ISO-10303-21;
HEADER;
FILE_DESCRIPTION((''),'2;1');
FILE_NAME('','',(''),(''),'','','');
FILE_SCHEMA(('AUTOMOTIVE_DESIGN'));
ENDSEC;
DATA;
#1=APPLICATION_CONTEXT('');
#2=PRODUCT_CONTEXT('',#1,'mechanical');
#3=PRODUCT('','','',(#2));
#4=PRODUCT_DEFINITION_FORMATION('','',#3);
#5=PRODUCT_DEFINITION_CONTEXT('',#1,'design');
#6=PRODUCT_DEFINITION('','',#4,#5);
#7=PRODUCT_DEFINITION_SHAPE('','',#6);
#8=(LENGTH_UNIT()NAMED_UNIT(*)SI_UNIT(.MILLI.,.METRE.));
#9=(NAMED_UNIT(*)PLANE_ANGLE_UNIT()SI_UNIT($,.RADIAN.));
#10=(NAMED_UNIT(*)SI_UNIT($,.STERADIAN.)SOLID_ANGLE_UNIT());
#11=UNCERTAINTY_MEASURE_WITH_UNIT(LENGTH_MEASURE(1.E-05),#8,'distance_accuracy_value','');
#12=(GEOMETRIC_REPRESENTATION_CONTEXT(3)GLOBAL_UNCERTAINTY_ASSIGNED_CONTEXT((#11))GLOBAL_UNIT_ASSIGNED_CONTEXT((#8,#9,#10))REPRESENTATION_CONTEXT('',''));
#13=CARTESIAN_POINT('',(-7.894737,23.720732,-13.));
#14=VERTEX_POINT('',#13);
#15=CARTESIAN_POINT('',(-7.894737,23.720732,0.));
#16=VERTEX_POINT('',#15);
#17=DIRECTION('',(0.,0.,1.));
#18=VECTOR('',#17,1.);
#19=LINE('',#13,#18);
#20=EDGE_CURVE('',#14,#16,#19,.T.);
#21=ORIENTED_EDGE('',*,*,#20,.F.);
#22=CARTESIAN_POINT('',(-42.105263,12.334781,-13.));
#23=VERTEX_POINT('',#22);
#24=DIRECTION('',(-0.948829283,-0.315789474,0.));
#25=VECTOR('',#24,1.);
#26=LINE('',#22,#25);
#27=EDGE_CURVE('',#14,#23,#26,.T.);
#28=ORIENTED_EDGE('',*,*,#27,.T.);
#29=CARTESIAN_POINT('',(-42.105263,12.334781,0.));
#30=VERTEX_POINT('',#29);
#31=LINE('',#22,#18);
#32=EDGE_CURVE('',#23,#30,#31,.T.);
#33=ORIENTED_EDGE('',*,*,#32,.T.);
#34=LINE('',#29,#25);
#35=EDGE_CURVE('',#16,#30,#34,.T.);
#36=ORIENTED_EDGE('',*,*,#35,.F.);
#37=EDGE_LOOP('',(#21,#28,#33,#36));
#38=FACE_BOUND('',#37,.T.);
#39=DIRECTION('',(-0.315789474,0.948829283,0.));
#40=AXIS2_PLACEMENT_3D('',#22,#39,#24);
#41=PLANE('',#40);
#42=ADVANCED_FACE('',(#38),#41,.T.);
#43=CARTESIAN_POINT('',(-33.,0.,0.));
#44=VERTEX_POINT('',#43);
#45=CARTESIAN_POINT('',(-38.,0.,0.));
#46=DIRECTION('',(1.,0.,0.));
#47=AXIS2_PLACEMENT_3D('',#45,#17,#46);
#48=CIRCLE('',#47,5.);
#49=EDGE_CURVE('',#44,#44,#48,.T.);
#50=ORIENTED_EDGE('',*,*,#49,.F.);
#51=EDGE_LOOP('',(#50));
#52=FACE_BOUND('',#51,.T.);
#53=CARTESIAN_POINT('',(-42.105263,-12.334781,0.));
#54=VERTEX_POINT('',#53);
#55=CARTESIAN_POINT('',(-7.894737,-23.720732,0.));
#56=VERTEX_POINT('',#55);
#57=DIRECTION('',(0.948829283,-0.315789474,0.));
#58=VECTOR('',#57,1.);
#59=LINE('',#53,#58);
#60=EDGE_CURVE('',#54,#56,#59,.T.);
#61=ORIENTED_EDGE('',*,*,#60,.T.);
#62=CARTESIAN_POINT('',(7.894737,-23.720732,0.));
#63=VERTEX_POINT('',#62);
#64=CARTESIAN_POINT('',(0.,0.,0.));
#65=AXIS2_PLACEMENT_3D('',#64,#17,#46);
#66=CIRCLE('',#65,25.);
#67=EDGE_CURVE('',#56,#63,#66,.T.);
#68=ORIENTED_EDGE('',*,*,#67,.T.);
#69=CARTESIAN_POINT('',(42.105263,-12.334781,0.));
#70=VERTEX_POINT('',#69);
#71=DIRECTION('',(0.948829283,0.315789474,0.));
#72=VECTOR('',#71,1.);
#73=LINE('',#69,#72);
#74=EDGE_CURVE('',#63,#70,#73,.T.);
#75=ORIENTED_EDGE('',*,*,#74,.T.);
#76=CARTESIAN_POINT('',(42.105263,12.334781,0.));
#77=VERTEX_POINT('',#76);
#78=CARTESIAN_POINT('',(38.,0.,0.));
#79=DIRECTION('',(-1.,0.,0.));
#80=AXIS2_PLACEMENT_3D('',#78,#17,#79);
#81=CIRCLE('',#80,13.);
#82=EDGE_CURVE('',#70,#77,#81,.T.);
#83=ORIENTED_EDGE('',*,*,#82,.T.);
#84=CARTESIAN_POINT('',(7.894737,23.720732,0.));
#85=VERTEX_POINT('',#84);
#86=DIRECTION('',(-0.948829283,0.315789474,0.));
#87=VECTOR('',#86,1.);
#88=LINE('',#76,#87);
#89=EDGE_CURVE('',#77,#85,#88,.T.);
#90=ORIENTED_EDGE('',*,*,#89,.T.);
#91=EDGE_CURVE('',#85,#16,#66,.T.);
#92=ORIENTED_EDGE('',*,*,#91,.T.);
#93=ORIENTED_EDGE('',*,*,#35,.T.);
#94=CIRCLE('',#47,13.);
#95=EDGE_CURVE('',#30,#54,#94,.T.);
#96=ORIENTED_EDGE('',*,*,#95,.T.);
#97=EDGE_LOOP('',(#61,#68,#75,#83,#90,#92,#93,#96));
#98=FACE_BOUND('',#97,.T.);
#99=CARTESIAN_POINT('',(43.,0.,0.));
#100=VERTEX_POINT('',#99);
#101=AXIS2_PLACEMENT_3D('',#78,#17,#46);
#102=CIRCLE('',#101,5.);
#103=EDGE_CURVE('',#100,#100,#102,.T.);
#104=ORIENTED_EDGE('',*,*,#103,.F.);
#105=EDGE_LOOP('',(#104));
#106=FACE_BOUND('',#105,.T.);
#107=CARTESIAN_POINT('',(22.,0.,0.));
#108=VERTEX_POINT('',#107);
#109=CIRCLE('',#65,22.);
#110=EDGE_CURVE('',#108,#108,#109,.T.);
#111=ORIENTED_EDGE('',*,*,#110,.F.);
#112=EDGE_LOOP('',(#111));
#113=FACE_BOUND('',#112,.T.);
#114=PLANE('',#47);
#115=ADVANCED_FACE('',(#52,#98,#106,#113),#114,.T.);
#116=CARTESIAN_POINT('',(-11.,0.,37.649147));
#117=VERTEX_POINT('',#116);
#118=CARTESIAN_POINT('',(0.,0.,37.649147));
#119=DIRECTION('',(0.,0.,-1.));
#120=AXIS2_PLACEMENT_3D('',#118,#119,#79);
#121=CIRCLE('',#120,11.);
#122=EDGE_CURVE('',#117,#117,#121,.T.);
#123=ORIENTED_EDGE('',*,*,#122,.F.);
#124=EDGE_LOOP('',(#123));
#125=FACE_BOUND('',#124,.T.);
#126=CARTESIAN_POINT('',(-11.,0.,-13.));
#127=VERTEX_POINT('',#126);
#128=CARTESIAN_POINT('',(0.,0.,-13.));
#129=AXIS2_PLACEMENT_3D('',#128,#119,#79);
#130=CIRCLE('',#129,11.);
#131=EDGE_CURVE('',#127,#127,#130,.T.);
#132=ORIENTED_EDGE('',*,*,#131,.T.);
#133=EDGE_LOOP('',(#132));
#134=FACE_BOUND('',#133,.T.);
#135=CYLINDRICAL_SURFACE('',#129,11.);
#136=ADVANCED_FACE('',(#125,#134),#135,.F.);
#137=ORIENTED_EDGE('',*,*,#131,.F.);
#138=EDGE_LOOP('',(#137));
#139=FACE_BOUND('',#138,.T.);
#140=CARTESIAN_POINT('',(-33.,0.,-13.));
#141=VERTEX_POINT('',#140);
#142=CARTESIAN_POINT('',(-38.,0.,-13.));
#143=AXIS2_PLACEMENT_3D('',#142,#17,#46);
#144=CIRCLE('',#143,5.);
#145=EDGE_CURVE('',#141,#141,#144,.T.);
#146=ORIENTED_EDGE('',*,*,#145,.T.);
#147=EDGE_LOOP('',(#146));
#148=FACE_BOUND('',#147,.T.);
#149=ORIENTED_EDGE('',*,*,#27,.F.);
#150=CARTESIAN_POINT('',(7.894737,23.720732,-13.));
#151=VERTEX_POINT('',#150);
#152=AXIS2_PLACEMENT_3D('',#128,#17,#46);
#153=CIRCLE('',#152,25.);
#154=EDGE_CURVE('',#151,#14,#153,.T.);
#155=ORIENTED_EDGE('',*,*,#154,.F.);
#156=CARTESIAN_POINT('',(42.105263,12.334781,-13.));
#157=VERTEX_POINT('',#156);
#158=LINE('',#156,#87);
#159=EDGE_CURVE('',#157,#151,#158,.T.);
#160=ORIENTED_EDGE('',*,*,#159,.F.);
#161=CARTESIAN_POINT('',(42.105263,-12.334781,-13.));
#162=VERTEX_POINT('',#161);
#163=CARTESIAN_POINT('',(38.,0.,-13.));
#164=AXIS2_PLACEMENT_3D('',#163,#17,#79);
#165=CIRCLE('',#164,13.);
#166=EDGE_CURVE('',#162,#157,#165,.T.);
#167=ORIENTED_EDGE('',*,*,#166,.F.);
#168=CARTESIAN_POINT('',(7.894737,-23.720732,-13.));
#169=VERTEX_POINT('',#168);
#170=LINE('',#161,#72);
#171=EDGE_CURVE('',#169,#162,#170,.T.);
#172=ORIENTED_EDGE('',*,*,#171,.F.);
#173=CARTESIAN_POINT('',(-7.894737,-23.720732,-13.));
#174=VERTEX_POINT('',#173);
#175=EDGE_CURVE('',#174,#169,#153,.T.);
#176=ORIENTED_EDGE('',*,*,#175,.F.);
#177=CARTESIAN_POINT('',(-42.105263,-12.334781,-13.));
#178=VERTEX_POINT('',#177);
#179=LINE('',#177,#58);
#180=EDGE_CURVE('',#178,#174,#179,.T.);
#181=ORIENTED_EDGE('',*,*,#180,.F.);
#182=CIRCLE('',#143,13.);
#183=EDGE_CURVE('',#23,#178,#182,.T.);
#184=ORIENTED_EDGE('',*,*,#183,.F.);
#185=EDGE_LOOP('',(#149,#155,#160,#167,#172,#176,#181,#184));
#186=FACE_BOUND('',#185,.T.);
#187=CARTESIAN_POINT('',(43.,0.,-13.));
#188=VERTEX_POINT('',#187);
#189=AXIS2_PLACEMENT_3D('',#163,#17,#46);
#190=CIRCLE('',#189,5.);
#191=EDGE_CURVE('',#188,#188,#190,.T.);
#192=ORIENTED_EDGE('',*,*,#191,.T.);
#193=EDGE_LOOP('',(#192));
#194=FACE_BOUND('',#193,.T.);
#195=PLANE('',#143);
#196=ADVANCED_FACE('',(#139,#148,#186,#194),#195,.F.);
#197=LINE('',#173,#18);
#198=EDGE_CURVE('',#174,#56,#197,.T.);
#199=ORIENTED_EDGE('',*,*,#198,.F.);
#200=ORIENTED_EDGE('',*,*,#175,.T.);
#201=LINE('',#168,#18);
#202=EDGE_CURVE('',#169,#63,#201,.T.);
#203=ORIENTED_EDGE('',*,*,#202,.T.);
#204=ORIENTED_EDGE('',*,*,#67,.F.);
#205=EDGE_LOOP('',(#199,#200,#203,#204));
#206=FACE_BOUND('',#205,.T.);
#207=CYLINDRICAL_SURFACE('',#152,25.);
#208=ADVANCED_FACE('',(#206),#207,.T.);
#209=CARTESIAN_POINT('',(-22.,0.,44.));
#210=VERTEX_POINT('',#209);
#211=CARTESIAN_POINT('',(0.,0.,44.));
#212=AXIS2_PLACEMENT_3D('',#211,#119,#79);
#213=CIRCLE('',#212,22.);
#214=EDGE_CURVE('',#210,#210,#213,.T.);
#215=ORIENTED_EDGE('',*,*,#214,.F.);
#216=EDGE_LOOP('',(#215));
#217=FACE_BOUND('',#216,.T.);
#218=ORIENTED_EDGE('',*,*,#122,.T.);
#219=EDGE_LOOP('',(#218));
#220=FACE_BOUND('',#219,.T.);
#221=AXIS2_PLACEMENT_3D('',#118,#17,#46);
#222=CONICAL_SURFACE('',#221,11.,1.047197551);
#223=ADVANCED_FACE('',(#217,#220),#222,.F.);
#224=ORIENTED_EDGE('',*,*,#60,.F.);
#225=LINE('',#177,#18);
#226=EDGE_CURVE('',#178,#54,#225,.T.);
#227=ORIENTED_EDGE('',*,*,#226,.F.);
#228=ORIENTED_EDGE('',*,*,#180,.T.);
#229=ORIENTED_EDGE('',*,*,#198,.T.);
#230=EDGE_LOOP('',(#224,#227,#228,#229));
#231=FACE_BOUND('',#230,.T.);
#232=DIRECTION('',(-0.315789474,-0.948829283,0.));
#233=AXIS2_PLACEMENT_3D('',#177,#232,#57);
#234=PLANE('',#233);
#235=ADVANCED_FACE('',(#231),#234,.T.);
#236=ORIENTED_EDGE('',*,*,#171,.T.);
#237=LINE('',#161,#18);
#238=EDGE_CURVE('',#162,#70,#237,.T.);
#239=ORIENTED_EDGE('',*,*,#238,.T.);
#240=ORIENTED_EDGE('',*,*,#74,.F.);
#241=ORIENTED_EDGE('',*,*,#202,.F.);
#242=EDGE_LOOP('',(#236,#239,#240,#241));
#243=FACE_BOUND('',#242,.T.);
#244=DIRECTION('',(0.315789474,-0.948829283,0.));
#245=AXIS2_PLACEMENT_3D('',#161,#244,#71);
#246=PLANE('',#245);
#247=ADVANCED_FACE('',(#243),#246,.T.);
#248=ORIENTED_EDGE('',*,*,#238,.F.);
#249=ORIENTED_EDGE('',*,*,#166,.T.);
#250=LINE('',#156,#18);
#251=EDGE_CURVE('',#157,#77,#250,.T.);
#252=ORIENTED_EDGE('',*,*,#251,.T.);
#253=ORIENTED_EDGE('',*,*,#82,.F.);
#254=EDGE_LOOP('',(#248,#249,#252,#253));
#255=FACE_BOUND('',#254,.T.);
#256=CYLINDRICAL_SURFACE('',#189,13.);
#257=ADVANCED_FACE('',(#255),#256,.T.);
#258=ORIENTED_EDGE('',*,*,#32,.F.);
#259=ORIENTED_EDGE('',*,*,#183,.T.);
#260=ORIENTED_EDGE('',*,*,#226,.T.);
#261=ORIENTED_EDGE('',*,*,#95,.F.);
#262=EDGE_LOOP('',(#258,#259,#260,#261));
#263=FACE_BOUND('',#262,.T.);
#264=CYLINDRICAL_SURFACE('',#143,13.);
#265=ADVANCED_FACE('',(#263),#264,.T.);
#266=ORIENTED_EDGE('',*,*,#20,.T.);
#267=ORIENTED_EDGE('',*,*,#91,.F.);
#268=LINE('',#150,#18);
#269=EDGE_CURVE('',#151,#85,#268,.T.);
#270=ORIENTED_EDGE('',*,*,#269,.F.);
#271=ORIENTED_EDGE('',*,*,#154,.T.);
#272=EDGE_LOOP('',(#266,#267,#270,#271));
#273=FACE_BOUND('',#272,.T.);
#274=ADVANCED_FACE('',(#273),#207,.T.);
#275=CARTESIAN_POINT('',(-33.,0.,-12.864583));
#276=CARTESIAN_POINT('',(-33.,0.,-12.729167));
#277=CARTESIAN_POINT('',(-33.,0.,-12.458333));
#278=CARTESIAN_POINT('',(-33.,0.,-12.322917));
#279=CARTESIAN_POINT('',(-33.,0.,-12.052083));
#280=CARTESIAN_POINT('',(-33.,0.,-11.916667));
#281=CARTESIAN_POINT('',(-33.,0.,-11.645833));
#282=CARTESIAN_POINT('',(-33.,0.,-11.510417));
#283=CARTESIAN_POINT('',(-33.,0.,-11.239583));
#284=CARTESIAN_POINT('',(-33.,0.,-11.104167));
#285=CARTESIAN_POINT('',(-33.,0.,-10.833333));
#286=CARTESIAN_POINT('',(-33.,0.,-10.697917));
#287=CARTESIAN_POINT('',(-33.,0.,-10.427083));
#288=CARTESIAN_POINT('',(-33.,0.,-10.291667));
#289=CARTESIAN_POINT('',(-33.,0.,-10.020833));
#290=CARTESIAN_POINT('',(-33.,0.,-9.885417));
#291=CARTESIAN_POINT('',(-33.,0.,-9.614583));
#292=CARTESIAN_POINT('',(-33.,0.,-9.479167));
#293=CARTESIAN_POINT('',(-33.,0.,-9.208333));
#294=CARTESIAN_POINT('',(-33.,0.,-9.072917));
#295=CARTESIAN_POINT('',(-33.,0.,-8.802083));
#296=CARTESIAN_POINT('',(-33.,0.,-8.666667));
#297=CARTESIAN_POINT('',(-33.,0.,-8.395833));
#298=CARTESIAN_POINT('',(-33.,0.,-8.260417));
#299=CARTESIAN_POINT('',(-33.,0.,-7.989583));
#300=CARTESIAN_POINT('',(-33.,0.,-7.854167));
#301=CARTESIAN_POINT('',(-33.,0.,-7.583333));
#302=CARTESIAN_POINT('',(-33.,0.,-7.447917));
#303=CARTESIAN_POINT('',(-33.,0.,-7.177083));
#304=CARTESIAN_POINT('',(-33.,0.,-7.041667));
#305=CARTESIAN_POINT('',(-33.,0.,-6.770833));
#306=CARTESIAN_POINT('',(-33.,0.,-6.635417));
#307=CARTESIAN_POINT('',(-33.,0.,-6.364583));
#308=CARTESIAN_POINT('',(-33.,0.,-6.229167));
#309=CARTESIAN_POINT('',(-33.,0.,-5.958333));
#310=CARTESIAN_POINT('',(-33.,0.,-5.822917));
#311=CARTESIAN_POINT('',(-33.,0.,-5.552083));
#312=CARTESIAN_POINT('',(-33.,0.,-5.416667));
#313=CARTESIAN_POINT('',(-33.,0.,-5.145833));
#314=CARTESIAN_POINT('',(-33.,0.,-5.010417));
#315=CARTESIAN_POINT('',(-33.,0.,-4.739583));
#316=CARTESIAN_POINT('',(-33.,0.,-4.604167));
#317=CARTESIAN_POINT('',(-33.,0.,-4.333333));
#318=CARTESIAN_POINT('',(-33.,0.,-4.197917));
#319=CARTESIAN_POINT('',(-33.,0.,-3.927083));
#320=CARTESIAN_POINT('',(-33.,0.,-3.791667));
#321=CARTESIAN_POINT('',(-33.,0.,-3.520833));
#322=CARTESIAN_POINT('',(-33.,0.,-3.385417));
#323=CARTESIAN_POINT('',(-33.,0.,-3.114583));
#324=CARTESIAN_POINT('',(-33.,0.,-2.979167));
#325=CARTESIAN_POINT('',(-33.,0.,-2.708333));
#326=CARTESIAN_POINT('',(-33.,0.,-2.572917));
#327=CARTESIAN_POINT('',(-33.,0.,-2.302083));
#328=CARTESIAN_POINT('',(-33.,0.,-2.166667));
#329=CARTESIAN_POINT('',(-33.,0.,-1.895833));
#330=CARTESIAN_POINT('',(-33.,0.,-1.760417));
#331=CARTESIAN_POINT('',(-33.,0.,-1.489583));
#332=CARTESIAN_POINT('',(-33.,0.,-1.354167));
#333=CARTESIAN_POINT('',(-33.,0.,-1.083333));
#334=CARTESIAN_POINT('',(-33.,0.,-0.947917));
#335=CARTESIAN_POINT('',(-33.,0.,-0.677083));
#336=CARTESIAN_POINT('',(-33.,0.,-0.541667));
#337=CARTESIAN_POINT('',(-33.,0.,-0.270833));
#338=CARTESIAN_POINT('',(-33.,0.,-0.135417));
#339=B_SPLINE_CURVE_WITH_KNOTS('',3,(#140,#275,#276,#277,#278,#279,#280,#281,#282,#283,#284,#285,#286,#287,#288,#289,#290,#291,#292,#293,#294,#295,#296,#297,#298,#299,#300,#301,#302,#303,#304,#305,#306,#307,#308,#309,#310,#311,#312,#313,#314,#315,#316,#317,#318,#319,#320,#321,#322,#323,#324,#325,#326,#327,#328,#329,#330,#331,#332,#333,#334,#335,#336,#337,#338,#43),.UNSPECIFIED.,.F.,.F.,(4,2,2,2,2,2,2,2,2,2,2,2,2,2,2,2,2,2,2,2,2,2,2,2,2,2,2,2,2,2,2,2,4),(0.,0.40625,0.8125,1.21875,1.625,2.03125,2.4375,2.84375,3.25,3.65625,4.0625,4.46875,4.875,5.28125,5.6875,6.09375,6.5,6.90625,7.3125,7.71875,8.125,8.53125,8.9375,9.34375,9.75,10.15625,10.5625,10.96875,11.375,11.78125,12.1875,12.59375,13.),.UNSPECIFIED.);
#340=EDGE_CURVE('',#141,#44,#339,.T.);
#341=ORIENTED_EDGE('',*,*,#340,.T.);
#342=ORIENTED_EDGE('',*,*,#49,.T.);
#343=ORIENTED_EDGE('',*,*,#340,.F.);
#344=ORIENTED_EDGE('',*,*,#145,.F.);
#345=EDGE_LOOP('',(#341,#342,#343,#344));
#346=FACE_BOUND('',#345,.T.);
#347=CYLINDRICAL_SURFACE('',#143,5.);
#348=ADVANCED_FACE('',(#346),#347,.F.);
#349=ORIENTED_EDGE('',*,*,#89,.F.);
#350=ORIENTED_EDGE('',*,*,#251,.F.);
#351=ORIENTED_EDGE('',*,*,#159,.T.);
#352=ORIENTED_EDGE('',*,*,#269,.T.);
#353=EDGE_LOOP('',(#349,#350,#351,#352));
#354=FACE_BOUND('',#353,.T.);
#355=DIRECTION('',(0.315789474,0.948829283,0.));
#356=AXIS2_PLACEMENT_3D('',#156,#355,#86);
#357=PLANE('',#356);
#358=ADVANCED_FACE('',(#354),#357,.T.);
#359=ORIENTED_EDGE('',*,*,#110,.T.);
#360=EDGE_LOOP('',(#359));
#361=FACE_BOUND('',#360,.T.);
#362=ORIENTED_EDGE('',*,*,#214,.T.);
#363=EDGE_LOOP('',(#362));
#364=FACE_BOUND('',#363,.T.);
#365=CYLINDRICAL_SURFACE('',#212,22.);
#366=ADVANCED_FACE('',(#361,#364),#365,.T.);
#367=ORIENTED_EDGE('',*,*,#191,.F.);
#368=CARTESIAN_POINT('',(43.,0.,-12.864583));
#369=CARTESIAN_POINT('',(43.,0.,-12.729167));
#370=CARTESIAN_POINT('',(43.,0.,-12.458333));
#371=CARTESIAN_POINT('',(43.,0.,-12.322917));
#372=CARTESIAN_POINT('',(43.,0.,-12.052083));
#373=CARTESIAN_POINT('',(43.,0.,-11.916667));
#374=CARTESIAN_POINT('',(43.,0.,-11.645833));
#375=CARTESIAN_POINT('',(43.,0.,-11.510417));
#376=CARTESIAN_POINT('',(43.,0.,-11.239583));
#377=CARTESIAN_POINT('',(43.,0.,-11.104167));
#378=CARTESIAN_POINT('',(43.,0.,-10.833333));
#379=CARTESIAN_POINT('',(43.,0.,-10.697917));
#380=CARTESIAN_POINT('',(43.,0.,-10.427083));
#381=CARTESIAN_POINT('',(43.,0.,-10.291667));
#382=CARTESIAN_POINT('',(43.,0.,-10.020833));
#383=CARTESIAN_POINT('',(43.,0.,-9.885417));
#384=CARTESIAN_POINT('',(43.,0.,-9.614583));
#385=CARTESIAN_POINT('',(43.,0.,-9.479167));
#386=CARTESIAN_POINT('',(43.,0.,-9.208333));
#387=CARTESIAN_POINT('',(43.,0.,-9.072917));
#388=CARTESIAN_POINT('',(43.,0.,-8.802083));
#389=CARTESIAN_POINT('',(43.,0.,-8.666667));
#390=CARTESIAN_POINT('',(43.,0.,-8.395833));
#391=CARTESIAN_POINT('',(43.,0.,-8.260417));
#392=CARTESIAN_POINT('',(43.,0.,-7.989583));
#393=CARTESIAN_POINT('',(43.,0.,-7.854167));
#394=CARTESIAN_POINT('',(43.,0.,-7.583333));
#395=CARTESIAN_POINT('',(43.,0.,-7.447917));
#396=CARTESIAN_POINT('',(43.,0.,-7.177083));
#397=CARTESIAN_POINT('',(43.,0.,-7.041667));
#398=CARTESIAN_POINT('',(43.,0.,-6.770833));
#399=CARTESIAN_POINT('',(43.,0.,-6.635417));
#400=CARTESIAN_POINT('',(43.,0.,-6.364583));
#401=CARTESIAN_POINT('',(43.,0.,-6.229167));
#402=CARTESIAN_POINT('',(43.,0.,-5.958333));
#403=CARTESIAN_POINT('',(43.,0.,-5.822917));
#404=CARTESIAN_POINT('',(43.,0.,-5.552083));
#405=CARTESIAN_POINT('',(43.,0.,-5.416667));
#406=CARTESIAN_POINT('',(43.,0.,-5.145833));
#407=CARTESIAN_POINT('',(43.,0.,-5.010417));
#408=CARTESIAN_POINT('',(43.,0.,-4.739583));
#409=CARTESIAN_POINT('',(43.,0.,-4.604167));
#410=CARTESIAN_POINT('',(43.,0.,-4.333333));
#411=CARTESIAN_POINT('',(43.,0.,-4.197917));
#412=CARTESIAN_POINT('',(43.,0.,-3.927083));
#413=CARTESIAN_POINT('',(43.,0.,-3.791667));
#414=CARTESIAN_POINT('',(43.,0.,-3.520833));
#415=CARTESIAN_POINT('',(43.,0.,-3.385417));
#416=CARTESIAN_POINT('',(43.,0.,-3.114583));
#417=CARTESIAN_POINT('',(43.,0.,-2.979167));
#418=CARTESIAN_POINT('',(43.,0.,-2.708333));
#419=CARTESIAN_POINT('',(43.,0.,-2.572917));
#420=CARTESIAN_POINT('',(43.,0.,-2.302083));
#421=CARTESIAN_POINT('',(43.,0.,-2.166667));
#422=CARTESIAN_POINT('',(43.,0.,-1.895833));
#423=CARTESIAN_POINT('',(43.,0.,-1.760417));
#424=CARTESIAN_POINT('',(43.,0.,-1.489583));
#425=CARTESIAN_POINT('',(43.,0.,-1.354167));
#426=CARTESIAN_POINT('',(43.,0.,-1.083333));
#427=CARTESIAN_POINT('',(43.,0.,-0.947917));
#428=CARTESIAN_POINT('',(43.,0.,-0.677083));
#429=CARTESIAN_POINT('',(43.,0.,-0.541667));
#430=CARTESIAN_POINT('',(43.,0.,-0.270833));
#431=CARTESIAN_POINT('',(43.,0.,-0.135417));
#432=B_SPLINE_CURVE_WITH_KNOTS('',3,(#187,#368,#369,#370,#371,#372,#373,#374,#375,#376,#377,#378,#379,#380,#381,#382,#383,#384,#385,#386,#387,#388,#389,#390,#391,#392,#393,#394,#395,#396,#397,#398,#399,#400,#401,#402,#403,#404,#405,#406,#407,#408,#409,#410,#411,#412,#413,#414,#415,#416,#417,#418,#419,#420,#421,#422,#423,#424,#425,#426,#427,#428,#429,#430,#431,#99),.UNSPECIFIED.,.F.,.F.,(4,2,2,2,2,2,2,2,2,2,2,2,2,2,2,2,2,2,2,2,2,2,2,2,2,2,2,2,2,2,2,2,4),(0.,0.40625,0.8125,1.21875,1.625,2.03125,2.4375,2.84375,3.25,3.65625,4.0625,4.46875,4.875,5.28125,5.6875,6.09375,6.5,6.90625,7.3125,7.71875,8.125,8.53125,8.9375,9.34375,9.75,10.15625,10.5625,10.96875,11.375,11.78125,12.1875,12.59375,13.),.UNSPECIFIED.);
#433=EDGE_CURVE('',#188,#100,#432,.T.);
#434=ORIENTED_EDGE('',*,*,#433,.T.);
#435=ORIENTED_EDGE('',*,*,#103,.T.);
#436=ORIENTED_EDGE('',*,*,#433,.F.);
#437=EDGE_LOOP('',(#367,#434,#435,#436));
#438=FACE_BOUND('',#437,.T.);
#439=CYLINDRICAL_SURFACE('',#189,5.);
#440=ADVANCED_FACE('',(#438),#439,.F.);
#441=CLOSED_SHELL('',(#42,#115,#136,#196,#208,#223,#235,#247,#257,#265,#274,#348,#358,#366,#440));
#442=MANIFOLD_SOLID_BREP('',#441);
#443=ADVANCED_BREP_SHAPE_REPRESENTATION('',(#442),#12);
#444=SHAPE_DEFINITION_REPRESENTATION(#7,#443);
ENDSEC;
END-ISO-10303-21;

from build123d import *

# Parameters (mm, degrees)
SCHIZZO2_R                   = 5
ESTRUSIONE_ESTRUSIONE1_DEPTH = 13
SCHIZZO3_R                   = 22
ESTRUSIONE_ESTRUSIONE2_DEPTH = 44


with BuildPart() as part:
    # Schizzo2 → Estrusione-Estrusione1 (new body)
    with BuildSketch(Plane.XY):
        with BuildLine():
            Line((-42.105263158, 12.334780679), (-7.894736842, 23.720732075))
            ThreePointArc((-7.894736842, 23.720732075), (0, 25), (7.894736842, 23.720732075))
            Line((7.894736842, 23.720732075), (42.105263158, 12.334780679))
            ThreePointArc((42.105263158, 12.334780679), (51, 0), (42.105263158, -12.334780679))
            Line((42.105263158, -12.334780679), (7.894736842, -23.720732075))
            ThreePointArc((7.894736842, -23.720732075), (0, -25), (-7.894736842, -23.720732075))
            Line((-7.894736842, -23.720732075), (-42.105263158, -12.334780679))
            ThreePointArc((-42.105263158, -12.334780679), (-51, 0), (-42.105263158, 12.334780679))
        make_face()
        with Locations((38, 0)):
            Circle(SCHIZZO2_R, mode=Mode.SUBTRACT)
        with Locations((-38, 0)):
            Circle(SCHIZZO2_R, mode=Mode.SUBTRACT)
    extrude(amount=-ESTRUSIONE_ESTRUSIONE1_DEPTH)

    # Schizzo3 → Estrusione-Estrusione2 (add)
    with BuildSketch(Plane.XY):
        Circle(SCHIZZO3_R)
    extrude(amount=ESTRUSIONE_ESTRUSIONE2_DEPTH)

    # Schizzo5 → Taglia-Rivoluzione2 (revolve, cut)
    with BuildSketch(Plane(origin=(0, 0, 0), x_dir=(1, 0, 0), z_dir=(0, 1, 0))):
        Polygon((0, 13), (-11, 13), (-11, -37.649147039), (-22, -44), (0, -44), align=None)
    revolve(axis=Axis((0, 0, -13), (0, 0, 1)), mode=Mode.SUBTRACT)


solid = part.part
